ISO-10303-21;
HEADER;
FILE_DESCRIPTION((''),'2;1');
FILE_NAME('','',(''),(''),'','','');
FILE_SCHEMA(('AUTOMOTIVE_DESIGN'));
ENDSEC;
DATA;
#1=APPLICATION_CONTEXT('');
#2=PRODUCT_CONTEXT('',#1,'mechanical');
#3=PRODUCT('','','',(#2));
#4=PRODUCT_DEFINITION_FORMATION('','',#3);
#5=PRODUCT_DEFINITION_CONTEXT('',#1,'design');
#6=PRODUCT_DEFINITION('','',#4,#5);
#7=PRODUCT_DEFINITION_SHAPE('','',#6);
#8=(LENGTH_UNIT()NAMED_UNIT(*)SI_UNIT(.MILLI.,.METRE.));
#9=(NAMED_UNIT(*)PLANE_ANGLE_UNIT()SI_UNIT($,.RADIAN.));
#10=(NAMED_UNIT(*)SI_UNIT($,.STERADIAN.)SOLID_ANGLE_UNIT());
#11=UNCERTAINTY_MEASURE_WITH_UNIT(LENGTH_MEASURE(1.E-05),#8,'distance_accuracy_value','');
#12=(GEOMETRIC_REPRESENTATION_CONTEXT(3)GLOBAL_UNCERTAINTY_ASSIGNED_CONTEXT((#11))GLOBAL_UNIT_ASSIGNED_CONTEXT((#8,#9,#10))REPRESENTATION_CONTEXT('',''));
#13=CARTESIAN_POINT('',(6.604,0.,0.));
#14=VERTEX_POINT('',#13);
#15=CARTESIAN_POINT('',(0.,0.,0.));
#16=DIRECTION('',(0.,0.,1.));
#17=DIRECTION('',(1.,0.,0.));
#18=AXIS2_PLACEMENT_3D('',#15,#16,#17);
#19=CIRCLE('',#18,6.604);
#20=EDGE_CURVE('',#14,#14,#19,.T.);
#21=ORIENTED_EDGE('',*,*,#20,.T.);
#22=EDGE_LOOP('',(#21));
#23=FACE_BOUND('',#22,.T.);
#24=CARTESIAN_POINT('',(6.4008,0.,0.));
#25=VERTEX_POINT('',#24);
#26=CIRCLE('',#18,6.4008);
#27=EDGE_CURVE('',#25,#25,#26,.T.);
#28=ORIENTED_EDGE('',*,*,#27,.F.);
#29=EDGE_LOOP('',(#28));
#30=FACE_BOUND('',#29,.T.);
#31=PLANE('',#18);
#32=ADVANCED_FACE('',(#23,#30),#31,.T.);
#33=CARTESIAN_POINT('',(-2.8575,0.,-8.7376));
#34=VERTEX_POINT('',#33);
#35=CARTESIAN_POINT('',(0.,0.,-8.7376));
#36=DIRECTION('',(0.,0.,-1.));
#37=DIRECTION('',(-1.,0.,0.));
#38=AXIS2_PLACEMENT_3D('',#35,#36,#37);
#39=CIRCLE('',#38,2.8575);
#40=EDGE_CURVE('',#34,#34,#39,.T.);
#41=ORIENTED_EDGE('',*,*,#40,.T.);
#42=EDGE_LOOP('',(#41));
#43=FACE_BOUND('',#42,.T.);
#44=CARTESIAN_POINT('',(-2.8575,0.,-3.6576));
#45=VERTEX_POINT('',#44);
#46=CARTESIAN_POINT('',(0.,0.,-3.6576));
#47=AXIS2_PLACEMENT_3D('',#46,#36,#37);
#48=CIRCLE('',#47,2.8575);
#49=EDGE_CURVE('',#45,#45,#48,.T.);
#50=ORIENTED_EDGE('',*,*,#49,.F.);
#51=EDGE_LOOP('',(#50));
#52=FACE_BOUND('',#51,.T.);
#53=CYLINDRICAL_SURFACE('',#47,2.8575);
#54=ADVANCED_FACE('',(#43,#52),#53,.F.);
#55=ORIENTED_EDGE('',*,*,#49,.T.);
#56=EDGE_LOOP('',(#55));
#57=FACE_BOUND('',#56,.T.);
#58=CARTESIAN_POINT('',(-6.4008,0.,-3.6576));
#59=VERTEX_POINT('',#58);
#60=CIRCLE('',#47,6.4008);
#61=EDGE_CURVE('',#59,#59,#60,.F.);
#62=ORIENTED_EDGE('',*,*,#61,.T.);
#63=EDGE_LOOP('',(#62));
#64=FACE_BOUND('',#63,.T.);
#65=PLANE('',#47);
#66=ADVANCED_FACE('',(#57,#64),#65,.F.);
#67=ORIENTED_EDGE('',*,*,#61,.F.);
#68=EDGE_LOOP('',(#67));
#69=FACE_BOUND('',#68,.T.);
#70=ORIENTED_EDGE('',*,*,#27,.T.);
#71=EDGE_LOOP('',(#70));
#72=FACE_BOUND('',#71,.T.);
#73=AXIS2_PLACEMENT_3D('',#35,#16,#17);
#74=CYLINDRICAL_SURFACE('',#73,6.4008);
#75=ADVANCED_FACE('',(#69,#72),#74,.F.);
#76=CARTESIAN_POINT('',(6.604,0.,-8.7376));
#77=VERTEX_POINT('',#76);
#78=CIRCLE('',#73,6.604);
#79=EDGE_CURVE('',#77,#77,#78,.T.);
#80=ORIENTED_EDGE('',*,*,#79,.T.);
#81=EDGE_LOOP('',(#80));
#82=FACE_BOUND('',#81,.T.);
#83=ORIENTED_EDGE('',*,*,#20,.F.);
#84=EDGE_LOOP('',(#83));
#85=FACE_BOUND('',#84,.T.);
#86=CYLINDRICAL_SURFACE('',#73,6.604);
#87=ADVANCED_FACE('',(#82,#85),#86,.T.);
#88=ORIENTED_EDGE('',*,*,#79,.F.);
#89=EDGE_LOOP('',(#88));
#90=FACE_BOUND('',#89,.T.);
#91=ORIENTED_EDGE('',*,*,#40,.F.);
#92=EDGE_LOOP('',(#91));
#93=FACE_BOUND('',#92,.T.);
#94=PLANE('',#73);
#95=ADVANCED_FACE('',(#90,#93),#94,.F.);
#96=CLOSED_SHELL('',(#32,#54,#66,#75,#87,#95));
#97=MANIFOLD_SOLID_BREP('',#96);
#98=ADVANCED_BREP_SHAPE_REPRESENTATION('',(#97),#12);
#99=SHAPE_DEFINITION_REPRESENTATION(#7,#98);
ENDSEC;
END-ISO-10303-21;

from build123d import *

# Parameters (mm, degrees)
SKETCH1_R           = 6.604
SKETCH1_R_2         = 6.4008
BOSS_EXTRUDE1_DEPTH = 8.7376
SKETCH2_R           = 6.4008
SKETCH2_R_2         = 2.8575
BOSS_EXTRUDE2_DEPTH = 5.08


with BuildPart() as part:
    # Sketch1 → Boss-Extrude1 (new body)
    with BuildSketch(Plane.XY):
        Circle(SKETCH1_R)
        Circle(SKETCH1_R_2, mode=Mode.SUBTRACT)
    extrude(amount=-BOSS_EXTRUDE1_DEPTH)

    # Sketch2 → Boss-Extrude2 (add)
    with BuildSketch(Plane(origin=(0, 0, -8.7376), x_dir=(-1, 0, 0), z_dir=(0, 0, -1))):
        Circle(SKETCH2_R)
        Circle(SKETCH2_R_2, mode=Mode.SUBTRACT)
    extrude(amount=-BOSS_EXTRUDE2_DEPTH)


solid = part.part
